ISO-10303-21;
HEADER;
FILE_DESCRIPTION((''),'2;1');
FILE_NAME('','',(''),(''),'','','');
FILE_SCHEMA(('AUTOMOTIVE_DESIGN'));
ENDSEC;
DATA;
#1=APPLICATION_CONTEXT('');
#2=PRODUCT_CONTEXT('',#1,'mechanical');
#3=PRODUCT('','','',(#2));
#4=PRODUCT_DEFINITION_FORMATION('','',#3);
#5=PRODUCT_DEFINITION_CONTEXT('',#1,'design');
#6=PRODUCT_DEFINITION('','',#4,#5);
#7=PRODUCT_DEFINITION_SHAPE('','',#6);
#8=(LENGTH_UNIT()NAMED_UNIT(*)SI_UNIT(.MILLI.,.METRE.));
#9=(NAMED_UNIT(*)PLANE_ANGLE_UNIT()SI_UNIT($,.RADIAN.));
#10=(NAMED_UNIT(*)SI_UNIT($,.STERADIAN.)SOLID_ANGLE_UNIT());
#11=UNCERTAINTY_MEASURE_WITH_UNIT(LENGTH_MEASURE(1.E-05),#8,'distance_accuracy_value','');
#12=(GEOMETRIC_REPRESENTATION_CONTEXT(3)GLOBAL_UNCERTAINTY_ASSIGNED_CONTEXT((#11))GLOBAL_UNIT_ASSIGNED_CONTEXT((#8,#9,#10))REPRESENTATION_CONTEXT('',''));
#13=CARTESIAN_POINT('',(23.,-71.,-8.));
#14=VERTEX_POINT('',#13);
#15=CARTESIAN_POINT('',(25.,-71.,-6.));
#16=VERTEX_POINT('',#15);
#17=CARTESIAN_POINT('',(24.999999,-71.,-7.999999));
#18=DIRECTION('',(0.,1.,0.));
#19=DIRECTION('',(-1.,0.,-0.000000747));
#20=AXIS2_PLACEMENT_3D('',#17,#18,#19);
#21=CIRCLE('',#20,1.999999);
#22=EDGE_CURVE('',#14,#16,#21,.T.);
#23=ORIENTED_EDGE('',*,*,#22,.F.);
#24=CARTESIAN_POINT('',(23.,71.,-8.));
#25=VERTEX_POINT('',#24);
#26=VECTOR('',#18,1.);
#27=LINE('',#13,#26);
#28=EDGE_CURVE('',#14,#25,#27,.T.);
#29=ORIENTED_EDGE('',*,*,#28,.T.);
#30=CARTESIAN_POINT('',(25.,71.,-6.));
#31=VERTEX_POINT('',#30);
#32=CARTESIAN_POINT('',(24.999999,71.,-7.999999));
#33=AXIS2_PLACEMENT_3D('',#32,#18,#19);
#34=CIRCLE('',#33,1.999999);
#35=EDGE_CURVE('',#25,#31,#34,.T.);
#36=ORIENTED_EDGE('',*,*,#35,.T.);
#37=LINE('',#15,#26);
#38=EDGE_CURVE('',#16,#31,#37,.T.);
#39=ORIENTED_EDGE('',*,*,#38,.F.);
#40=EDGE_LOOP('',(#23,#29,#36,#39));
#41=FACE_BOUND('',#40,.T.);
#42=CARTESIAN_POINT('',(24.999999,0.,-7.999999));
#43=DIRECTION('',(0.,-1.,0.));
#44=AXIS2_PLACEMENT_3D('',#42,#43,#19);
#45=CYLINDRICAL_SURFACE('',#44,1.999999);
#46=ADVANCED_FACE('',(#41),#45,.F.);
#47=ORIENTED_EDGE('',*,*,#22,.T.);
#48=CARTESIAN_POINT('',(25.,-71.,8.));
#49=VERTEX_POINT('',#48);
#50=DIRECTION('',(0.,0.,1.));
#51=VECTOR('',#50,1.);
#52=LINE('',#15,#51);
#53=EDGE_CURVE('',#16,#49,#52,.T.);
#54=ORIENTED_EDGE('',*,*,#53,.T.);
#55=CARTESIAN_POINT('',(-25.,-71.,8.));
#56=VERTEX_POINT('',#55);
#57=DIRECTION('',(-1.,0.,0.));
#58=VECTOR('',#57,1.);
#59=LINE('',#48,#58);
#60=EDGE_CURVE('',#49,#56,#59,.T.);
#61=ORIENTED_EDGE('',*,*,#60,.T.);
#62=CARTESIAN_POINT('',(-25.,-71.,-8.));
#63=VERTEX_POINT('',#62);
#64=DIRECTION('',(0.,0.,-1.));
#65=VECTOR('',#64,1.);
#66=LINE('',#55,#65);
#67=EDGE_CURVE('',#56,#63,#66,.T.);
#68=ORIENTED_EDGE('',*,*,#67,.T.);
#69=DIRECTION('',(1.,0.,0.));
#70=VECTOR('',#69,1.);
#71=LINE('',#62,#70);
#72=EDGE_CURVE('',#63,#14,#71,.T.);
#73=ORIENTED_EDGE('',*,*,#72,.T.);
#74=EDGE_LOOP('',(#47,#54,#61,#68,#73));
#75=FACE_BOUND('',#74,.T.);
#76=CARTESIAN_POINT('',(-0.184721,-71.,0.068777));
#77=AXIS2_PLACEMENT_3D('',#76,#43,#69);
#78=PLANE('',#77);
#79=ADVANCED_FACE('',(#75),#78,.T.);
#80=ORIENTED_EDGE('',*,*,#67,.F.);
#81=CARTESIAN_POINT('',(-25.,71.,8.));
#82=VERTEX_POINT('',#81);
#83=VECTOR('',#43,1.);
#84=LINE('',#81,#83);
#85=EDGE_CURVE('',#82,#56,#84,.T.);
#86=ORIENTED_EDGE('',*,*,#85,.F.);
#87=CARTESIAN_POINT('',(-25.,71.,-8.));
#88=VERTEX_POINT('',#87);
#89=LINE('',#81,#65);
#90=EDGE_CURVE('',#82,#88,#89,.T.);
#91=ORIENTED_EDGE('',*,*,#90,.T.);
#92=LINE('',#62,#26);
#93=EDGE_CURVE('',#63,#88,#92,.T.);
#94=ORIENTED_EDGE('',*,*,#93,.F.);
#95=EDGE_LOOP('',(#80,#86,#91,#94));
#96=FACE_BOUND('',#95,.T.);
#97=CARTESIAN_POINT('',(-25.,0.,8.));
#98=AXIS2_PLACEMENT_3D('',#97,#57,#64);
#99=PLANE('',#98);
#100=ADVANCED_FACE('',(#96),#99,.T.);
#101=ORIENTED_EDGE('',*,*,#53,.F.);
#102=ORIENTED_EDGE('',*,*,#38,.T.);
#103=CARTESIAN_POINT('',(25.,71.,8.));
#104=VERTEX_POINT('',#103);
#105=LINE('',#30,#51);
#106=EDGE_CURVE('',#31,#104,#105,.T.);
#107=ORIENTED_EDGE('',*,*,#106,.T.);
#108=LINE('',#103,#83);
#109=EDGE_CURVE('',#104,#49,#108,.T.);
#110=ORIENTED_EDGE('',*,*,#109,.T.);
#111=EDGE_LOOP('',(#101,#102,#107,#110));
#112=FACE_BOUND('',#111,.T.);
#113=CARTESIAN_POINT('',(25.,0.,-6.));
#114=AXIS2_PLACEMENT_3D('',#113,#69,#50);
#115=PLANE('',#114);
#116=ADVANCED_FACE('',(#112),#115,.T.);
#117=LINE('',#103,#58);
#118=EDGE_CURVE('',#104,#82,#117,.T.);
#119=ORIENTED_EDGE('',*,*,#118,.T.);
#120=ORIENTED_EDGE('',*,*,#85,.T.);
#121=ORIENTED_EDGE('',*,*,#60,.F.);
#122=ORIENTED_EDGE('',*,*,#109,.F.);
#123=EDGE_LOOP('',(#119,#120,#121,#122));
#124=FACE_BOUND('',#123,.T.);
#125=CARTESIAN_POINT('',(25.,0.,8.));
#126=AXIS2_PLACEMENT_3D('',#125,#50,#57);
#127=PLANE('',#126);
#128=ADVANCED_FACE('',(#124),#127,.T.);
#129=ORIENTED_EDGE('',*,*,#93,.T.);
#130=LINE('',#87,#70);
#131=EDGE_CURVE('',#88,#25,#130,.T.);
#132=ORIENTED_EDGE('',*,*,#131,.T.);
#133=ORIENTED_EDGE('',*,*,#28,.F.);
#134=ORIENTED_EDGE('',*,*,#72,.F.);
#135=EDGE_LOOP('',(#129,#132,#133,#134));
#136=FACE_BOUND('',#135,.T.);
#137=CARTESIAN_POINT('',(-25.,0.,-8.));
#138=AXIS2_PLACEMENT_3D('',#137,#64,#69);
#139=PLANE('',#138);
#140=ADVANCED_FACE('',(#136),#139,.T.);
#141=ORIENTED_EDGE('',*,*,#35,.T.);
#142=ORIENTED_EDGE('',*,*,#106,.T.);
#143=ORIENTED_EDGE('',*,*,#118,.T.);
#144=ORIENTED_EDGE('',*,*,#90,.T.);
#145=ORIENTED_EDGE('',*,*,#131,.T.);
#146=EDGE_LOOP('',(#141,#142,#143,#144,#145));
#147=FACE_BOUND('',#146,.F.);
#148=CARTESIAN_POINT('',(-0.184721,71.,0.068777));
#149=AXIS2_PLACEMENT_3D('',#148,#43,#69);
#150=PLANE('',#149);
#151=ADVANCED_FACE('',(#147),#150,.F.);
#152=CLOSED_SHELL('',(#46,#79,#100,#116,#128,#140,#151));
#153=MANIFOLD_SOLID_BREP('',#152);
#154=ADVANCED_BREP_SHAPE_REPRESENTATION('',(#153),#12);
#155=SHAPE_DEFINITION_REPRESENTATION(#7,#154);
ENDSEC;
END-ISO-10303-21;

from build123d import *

# Parameters (mm, degrees)
F1_DEPTH = 71


with BuildPart() as f1:
    # F0 (on Front) → F1 (new body, symmetric)
    with BuildSketch(Plane.XZ):
        with BuildLine():
            Line((25, -6), (25, 8))
            Line((25, 8), (-25, 8))
            Line((-25, 8), (-25, -8))
            Line((-25, -8), (23, -8))
            ThreePointArc((23, -8), (23.585786, -6.585786), (25, -6))
        make_face()
    extrude(amount=F1_DEPTH, both=True)


solid = f1.part
